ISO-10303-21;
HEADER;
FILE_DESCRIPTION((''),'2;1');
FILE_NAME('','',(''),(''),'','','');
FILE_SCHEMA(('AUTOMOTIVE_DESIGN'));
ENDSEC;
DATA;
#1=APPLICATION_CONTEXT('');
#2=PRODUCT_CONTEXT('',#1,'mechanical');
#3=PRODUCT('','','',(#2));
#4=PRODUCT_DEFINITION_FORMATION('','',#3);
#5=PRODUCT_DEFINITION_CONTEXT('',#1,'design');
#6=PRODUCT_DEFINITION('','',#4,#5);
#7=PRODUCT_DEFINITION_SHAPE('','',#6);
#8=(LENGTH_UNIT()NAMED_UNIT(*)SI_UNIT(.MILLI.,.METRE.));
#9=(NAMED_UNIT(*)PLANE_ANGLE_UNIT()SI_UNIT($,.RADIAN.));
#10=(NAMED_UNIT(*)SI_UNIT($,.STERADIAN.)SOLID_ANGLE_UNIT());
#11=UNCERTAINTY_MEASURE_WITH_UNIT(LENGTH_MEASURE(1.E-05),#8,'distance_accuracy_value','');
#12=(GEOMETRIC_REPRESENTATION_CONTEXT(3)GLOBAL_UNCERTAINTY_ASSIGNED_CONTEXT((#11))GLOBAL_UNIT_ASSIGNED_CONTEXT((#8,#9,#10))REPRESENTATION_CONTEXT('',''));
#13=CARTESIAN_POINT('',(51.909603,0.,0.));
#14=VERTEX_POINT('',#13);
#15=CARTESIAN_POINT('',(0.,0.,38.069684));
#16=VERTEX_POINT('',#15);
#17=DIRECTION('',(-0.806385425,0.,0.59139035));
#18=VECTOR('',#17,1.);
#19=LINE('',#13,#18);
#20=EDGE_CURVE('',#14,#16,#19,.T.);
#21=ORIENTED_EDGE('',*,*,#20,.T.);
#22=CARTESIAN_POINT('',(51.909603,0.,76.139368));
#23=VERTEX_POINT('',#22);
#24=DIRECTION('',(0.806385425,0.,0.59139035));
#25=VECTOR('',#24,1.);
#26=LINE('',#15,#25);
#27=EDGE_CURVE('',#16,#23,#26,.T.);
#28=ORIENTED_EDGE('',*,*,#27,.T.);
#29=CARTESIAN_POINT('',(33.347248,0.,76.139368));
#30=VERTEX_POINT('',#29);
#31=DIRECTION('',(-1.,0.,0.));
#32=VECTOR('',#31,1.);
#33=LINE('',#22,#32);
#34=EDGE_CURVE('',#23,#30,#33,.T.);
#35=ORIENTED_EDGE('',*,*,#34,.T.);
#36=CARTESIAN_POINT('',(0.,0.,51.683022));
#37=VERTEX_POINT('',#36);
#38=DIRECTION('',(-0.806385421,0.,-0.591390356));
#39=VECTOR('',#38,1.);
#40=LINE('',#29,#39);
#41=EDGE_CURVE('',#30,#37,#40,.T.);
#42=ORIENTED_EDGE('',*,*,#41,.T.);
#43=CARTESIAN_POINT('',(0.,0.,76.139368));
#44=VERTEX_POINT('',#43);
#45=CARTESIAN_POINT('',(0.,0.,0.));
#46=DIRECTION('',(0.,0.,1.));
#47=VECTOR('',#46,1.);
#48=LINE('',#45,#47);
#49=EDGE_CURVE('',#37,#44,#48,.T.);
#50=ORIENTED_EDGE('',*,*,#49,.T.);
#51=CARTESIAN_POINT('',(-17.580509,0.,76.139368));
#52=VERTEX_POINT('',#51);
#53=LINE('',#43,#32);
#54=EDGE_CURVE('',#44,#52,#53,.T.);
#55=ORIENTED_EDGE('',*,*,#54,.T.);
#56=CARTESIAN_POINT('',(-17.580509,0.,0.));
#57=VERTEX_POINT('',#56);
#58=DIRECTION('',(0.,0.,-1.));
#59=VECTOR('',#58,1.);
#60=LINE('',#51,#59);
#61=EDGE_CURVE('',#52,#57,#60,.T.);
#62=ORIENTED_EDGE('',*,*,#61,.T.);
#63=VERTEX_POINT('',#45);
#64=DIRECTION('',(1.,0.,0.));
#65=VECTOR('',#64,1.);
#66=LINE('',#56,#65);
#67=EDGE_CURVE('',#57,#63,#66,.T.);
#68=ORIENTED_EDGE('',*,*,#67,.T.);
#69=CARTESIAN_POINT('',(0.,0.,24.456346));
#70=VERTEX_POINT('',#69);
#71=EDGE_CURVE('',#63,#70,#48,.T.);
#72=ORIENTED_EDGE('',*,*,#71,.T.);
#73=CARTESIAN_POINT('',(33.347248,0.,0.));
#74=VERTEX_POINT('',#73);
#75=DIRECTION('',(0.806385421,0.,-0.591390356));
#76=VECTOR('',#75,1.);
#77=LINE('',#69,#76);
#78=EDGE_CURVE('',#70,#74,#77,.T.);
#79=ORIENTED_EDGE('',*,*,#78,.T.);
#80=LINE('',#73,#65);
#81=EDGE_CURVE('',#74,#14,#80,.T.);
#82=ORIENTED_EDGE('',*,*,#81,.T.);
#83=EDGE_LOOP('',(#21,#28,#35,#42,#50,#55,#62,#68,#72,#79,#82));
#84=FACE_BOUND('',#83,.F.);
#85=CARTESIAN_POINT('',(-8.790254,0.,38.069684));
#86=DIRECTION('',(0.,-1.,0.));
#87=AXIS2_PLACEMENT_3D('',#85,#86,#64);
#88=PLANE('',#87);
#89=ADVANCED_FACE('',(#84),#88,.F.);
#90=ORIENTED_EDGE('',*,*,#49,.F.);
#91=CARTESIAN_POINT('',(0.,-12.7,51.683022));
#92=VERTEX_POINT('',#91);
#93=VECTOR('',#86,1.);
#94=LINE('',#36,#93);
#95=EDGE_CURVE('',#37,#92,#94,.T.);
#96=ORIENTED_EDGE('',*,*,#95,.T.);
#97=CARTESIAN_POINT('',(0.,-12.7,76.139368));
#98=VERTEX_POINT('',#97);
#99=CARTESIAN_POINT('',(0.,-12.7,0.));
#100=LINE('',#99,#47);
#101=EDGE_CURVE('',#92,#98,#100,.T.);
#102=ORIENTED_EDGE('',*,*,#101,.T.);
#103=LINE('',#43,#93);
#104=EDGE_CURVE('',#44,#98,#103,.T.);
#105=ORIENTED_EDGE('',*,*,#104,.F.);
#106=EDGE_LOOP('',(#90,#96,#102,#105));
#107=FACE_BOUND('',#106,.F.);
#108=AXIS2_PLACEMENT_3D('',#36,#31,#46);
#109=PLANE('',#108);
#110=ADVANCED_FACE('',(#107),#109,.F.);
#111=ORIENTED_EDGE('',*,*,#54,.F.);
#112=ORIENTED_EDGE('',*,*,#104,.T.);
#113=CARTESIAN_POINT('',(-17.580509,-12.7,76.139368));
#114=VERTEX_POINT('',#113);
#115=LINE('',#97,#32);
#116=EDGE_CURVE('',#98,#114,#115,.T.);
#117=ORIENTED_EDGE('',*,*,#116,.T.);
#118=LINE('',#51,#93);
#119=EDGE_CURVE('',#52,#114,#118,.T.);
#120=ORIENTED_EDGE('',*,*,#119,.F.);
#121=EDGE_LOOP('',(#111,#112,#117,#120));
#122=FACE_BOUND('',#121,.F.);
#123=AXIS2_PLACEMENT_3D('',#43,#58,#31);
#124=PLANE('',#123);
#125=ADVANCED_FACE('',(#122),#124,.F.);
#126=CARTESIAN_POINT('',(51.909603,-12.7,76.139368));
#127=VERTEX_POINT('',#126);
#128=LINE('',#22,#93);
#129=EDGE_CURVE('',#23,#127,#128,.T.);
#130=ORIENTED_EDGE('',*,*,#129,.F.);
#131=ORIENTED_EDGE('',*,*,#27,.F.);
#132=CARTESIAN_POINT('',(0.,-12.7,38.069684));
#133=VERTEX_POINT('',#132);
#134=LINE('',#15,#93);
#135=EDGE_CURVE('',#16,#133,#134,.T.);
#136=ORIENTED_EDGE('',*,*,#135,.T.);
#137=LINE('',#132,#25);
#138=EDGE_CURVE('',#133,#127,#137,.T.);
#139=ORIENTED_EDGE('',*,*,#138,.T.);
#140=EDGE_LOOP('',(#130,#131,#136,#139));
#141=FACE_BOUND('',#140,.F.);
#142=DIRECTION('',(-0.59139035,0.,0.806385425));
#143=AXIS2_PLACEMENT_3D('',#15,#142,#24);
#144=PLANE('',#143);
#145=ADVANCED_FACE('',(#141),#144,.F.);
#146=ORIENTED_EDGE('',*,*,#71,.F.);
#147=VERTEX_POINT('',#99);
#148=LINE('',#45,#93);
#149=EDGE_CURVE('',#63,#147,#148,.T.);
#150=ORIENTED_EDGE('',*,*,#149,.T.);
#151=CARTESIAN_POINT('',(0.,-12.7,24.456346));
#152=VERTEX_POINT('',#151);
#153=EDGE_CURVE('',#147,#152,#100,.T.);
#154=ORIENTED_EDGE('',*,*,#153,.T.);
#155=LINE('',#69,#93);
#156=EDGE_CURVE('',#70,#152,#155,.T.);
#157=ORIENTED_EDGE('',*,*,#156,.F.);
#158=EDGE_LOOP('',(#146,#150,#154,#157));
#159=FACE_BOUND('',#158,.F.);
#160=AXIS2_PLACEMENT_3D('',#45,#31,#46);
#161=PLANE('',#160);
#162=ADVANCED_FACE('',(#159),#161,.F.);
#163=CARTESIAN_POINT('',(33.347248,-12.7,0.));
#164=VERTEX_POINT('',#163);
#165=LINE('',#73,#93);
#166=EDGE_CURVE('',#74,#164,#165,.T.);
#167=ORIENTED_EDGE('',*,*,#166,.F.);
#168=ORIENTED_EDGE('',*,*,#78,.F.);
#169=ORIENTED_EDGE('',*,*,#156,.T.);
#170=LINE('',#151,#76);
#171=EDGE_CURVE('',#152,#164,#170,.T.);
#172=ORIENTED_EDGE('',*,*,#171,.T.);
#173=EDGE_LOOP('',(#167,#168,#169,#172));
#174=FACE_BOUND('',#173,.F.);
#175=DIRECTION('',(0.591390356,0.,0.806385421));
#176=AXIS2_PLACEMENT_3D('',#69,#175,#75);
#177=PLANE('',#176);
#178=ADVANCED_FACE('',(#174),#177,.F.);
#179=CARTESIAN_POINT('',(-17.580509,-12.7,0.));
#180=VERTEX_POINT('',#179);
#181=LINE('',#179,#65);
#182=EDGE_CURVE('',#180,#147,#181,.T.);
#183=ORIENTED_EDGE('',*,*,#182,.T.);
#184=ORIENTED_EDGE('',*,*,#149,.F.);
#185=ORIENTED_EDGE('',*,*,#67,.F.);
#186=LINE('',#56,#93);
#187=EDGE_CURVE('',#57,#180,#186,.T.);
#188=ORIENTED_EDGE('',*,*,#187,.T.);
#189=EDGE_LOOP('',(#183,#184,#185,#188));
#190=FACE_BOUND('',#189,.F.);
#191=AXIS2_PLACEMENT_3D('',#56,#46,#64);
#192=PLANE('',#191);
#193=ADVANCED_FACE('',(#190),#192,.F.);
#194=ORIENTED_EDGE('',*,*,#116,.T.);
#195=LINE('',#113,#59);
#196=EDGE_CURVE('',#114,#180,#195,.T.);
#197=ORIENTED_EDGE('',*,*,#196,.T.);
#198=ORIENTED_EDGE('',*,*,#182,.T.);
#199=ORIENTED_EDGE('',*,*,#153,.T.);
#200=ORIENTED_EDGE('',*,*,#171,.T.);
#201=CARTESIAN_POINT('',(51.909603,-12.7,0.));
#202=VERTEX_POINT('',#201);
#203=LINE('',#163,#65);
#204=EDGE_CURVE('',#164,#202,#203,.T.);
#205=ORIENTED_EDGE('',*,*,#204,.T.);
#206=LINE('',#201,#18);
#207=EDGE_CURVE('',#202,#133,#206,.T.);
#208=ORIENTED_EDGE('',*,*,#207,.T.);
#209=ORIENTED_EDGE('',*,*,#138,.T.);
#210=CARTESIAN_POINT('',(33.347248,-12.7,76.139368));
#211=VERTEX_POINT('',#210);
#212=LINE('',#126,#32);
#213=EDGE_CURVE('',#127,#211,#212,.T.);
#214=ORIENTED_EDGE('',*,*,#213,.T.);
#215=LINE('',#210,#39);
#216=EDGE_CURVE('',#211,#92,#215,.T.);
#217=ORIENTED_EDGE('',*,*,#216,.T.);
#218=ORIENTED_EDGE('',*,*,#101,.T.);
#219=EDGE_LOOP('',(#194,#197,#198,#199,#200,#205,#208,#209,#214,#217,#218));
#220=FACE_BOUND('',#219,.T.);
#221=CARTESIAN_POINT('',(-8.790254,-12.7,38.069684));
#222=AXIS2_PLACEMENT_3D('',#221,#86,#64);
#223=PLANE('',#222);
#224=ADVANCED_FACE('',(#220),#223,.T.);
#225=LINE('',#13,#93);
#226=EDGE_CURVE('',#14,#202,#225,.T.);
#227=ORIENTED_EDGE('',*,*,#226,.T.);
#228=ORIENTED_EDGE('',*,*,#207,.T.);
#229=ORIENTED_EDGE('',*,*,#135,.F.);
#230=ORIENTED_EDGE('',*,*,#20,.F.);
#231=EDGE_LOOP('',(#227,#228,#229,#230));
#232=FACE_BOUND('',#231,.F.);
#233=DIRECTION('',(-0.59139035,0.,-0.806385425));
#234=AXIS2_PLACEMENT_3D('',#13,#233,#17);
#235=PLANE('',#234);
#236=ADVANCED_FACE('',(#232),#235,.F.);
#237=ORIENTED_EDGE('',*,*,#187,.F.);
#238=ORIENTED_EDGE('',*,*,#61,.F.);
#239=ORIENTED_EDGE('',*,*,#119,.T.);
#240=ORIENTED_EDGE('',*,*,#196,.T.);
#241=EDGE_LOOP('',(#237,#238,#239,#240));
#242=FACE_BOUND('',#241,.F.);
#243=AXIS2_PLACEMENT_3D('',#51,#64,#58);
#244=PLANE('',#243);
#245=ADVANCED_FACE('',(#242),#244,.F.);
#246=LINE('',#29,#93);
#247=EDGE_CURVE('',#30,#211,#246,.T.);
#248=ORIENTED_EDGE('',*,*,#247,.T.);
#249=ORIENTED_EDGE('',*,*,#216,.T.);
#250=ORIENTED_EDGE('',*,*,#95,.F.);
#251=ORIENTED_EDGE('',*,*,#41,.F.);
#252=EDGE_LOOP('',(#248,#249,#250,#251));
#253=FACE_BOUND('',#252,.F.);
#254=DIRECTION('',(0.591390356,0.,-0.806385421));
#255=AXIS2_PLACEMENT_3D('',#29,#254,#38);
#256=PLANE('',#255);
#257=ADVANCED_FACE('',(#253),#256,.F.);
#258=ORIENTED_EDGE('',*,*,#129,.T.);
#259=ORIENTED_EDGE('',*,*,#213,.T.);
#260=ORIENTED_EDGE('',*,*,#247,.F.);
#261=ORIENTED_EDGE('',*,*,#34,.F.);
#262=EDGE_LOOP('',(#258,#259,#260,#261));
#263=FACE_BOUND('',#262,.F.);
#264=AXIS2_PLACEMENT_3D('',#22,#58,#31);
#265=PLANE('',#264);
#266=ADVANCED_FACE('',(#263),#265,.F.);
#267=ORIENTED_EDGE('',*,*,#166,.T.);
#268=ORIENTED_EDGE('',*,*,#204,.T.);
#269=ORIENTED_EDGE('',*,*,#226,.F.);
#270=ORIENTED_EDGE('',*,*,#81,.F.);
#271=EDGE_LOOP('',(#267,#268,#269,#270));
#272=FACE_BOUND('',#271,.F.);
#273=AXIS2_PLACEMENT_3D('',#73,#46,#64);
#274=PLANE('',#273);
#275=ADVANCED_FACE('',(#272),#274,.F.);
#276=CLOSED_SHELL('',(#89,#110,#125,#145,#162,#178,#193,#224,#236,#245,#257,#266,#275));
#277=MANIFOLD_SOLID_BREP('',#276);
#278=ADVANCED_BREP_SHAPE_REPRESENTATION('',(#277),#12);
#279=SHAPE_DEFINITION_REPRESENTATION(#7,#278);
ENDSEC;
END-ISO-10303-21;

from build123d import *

# Parameters (mm, degrees)
F1_DEPTH = 12.7


with BuildPart() as f1:
    # F0 (on Front) → F1 (new body)
    with BuildSketch(Plane.XZ):
        Polygon((-17.580509, 76.139368), (-17.580509, 0), (0, 0), (0, 24.456346), (0, 38.069684), (0, 51.683022), (0, 76.139368), align=None)
        Polygon((0, 38.069684), (0, 24.456346), (33.347248, 0), (51.909603, 0), align=None)
        Polygon((0, 51.683022), (0, 38.069684), (51.909603, 76.139368), (33.347248, 76.139368), align=None)
    extrude(amount=F1_DEPTH)


solid = f1.part
